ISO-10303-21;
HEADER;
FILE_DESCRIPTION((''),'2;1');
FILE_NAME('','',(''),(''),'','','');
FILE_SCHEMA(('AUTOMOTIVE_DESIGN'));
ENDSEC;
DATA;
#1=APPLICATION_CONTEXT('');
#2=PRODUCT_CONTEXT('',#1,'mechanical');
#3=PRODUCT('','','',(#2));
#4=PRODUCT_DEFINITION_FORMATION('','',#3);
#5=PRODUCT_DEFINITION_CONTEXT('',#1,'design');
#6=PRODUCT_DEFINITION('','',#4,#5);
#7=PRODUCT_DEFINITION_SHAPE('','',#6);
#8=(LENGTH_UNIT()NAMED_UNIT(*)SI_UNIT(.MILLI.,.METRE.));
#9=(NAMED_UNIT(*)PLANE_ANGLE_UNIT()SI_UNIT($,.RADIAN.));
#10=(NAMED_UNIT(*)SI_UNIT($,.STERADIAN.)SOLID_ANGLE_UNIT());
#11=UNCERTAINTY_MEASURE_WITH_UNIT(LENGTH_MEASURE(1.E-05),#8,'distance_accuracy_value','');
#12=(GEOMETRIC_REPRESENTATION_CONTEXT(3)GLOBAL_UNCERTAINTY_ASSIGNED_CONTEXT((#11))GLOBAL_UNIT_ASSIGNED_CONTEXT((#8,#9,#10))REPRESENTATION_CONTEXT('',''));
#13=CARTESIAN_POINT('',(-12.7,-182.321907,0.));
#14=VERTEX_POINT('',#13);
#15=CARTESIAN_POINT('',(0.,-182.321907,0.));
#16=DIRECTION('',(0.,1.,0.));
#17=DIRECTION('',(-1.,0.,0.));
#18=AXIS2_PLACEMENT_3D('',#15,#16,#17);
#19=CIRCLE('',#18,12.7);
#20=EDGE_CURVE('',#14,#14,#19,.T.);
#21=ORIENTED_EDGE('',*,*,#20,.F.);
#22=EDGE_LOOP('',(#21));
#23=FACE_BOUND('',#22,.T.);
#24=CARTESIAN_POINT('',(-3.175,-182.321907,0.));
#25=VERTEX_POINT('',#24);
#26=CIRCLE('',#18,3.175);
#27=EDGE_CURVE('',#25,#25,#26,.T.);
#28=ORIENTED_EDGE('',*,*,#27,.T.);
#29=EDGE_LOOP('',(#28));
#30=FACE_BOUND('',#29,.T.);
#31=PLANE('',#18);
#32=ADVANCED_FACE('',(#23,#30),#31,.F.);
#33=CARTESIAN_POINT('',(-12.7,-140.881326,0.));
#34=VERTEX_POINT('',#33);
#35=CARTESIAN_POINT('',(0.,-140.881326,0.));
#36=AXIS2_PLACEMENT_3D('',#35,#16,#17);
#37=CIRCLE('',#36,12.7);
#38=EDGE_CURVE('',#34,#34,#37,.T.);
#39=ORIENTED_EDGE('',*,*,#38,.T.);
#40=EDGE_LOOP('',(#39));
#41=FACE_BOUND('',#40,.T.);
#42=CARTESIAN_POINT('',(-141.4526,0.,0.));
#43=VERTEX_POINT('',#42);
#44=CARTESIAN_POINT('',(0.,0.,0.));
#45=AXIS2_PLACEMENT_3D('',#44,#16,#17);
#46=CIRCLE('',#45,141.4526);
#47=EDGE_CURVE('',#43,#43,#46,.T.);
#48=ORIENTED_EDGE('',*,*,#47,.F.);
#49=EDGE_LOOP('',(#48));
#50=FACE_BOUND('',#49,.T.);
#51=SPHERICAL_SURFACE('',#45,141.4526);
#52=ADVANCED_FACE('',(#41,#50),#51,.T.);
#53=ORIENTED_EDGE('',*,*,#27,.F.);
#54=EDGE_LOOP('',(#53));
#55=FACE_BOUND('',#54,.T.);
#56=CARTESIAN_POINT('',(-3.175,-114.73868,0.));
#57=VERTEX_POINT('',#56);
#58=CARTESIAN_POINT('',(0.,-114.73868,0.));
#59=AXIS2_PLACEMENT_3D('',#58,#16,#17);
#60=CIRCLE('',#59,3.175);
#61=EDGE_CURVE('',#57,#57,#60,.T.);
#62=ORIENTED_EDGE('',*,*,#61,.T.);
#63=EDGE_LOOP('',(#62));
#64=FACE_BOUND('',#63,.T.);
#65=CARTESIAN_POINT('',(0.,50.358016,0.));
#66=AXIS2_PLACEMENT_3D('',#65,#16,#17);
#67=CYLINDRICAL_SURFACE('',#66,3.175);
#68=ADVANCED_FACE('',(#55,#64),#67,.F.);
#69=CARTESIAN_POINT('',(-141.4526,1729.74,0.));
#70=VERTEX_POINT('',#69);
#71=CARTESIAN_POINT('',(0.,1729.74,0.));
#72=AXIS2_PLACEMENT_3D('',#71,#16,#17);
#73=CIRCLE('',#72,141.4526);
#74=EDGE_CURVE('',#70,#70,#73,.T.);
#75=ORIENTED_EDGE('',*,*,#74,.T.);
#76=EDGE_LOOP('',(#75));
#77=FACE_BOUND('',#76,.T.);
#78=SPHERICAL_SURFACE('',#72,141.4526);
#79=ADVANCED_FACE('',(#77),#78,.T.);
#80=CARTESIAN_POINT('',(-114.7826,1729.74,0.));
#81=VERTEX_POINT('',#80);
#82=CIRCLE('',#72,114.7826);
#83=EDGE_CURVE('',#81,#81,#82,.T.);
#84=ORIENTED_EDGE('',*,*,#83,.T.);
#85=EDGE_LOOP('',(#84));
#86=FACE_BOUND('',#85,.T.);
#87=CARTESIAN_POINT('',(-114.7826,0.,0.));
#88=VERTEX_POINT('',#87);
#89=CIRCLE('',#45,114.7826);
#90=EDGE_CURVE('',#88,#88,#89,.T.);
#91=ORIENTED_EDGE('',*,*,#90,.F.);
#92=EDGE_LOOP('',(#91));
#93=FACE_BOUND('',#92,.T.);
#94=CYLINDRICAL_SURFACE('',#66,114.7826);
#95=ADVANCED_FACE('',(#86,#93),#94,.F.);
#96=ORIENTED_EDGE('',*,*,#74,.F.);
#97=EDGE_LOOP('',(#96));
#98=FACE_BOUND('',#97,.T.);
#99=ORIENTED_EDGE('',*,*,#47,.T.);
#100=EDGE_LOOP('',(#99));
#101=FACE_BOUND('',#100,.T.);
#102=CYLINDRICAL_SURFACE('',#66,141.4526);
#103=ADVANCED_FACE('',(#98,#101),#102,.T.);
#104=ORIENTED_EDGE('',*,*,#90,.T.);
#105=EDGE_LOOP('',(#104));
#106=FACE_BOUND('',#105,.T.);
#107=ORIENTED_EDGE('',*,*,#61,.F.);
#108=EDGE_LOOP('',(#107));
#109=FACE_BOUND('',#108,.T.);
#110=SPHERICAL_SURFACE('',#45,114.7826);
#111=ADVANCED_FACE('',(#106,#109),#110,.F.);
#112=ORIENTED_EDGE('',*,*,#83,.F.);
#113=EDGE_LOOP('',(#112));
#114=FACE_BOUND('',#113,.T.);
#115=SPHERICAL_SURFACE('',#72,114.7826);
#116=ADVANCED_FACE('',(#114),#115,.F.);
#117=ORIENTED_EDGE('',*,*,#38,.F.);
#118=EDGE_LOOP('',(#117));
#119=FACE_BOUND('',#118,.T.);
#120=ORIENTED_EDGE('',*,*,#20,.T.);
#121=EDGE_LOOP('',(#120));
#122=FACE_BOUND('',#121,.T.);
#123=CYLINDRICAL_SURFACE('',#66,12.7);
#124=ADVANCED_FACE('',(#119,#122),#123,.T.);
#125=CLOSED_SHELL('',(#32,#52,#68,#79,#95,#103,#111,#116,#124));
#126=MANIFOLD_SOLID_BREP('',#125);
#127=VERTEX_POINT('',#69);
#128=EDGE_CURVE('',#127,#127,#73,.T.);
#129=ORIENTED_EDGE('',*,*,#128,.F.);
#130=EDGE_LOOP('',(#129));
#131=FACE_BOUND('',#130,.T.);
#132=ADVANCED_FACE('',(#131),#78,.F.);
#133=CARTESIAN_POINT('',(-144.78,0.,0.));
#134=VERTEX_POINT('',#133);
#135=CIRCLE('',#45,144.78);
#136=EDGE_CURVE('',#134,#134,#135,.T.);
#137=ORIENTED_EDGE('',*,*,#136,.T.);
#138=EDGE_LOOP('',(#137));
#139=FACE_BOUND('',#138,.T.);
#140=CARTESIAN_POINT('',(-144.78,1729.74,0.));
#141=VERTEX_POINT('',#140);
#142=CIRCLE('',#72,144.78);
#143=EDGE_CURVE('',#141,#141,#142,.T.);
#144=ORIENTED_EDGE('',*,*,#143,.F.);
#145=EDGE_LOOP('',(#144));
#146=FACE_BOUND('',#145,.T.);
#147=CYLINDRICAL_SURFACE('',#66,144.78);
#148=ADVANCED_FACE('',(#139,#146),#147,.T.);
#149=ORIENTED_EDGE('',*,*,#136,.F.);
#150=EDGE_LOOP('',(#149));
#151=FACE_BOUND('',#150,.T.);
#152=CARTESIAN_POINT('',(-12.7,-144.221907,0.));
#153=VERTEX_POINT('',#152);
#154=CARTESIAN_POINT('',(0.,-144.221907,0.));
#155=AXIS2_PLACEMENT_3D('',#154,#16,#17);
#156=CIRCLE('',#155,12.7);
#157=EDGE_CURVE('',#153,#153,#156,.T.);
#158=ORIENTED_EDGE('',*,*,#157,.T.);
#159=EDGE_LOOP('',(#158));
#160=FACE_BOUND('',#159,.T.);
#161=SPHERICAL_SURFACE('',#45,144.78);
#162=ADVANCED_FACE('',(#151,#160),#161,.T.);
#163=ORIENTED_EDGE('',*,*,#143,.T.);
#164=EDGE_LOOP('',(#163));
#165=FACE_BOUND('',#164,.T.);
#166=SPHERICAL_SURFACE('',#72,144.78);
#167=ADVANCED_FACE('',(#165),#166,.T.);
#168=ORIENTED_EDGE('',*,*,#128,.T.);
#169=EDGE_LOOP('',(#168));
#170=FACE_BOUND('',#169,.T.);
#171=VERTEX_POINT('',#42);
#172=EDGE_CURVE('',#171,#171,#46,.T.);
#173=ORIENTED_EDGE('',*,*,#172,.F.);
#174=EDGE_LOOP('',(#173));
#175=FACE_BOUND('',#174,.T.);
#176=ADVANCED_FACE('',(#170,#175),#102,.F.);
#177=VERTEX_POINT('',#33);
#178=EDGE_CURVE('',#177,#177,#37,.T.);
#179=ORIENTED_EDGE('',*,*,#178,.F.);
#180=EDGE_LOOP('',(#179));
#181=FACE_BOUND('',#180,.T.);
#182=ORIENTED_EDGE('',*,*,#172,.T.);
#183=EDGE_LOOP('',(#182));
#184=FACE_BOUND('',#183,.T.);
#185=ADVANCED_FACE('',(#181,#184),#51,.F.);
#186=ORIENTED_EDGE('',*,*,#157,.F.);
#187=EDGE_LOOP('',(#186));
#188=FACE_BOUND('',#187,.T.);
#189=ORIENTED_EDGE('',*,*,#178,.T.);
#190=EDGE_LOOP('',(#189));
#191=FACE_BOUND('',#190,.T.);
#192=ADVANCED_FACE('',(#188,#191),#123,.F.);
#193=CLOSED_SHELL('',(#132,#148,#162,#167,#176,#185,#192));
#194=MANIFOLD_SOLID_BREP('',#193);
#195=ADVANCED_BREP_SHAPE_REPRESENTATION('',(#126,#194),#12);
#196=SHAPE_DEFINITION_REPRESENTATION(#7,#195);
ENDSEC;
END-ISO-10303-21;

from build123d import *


with BuildPart() as part:
    # Sketch1 (on Front Plane) → Revolve1 (revolve)
    with BuildSketch(Plane.XY):
        with BuildLine():
            Line((-114.7826, 1729.74), (-114.7826, 0))
            ThreePointArc((-114.7826, 0), (-82.278429791, -80.033150968), (-3.175, -114.73867978))
            Line((-3.175, -114.73867978), (-3.175, -182.321906796))
            Line((-3.175, -182.321906796), (-12.7, -182.321906796))
            Line((-12.7, -182.321906796), (-12.7, -140.881326111))
            ThreePointArc((-12.7, -140.881326111), (-104.415722156, -95.42638531), (-141.4526, 0))
            Line((-141.4526, 0), (-141.4526, 1729.74))
            ThreePointArc((-141.4526, 1729.74), (-100.022092676, 1829.762092676), (0, 1871.1926))
            Line((0, 1871.1926), (0, 1844.5226))
            ThreePointArc((0, 1844.5226), (-81.163554822, 1810.903554822), (-114.7826, 1729.74))
        make_face()
    revolve(axis=Axis((0, 50.358015581, 0), (0, -1, 0)))


with BuildPart() as body_2:
    # Sketch1<4> → Revolve2 (revolve)
    with BuildSketch(Plane.XY):
        with BuildLine():
            ThreePointArc((-141.4526, 1729.74), (-100.022092676, 1829.762092676), (0, 1871.1926))
            Line((0, 1871.1926), (0, 1874.52))
            ThreePointArc((0, 1874.52), (-102.37491978, 1832.11491978), (-144.78, 1729.74))
            Line((-144.78, 1729.74), (-144.78, 0))
            ThreePointArc((-144.78, 0), (-106.770675749, -97.781752899), (-12.7, -144.221906796))
            Line((-12.7, -144.221906796), (-12.7, -140.881326111))
            ThreePointArc((-12.7, -140.881326111), (-104.415722156, -95.42638531), (-141.4526, 0))
            Line((-141.4526, 0), (-141.4526, 1729.74))
        make_face()
    revolve(axis=Axis((0, 50.358015581, 0), (0, -1, 0)))


solid = Compound([part.part, body_2.part])
